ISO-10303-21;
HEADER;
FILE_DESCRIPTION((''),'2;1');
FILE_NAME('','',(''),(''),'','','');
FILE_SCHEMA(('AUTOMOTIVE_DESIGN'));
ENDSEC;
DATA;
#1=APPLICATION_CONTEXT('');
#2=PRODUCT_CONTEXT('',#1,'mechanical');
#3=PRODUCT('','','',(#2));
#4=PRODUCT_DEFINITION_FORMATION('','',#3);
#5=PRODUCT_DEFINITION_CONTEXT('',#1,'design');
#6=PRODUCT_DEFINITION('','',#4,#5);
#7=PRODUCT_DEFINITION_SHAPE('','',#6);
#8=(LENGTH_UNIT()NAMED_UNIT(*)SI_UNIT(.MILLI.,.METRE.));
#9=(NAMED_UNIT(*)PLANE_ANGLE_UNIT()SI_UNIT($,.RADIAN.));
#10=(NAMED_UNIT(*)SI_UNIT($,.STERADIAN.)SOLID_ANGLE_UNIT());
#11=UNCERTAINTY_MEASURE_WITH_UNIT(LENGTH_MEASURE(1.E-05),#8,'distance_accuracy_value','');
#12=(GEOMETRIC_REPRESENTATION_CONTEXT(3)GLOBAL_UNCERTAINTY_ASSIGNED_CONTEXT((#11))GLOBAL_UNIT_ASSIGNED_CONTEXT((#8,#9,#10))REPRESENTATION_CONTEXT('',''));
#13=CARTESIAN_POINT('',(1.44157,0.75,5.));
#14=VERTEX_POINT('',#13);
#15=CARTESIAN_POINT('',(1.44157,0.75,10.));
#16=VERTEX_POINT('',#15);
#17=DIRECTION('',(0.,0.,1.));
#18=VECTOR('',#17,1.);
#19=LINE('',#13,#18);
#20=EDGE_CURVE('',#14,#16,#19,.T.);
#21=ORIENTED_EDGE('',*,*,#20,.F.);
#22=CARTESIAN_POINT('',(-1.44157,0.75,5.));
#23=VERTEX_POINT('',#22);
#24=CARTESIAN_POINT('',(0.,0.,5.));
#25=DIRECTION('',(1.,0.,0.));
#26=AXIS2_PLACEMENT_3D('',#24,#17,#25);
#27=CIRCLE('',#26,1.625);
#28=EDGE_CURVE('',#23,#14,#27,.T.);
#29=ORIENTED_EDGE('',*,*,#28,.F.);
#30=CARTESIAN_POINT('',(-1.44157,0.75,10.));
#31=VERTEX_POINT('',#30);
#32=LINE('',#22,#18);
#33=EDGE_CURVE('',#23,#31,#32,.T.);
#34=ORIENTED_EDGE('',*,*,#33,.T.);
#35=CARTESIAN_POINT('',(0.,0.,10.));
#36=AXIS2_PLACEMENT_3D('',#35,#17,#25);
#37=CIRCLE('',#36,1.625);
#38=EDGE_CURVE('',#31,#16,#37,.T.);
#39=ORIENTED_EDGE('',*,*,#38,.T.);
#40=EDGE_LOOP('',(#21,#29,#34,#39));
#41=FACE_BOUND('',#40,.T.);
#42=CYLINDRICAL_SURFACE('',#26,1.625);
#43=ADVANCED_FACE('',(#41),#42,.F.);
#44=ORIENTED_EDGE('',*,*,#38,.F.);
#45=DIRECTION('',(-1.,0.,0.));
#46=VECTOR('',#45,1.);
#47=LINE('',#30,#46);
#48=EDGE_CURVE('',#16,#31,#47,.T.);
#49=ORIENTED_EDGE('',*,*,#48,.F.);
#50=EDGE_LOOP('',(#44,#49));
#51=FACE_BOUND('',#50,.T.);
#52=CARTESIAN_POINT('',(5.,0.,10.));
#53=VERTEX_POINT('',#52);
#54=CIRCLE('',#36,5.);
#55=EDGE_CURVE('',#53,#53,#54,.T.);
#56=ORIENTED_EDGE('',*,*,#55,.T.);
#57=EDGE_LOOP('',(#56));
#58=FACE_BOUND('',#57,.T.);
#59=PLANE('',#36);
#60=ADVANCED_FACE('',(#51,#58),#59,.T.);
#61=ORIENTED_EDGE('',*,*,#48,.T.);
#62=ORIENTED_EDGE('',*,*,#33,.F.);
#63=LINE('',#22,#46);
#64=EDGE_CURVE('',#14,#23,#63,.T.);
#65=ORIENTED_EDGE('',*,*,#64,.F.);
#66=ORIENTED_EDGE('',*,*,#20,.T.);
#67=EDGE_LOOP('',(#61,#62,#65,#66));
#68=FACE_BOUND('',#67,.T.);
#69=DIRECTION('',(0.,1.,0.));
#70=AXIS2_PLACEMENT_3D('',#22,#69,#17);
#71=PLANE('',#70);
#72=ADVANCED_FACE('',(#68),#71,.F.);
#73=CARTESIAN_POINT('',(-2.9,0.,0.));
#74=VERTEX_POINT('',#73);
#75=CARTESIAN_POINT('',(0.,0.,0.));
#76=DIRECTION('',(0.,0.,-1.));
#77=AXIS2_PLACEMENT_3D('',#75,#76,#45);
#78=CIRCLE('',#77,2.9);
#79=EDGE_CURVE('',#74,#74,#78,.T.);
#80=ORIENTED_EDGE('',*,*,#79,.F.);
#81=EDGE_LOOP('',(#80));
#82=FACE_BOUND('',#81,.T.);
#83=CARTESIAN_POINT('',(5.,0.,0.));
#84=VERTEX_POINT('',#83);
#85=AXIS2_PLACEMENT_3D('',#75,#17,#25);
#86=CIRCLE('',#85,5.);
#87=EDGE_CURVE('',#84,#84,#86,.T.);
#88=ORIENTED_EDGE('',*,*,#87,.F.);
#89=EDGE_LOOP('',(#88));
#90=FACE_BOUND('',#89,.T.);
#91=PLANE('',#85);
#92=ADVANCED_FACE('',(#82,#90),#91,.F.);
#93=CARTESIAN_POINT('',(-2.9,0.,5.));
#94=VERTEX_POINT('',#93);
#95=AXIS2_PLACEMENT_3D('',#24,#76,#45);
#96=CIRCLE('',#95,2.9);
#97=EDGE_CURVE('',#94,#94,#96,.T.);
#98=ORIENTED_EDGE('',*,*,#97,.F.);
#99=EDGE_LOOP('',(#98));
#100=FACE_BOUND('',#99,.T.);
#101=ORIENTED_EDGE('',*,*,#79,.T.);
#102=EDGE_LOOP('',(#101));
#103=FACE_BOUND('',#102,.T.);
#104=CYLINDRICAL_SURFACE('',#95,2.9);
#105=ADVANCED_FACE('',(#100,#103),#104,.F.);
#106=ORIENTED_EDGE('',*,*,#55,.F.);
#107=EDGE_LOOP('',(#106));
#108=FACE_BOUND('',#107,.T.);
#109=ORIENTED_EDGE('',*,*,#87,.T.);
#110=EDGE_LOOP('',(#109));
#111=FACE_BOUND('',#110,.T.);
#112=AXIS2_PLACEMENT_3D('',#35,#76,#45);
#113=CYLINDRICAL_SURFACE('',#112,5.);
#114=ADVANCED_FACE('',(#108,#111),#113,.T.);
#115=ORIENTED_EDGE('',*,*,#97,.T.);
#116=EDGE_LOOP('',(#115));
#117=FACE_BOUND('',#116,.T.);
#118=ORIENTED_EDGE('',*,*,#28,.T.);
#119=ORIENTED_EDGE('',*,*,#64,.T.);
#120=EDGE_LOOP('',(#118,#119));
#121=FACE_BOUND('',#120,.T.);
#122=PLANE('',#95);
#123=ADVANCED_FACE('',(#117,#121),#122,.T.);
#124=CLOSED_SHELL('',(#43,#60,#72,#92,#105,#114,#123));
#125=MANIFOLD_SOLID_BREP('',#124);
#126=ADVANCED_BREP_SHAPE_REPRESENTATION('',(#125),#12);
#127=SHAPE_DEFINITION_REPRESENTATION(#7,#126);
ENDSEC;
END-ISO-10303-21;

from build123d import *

# Parameters (mm, degrees)
SKETCH1_R           = 5
BOSS_EXTRUDE1_DEPTH = 10
CUT_EXTRUDE1_DEPTH  = 5
SKETCH3_R           = 2.9
CUT_EXTRUDE2_DEPTH  = 5


with BuildPart() as part:
    # Sketch1 → Boss-Extrude1 (new body)
    with BuildSketch(Plane.XY):
        Circle(SKETCH1_R)
    extrude(amount=BOSS_EXTRUDE1_DEPTH)

    # Sketch2 → Cut-Extrude1 (cut)
    with BuildSketch(Plane.XY.offset(10)):
        with BuildLine():
            Line((-1.441570324, 0.75), (1.441570324, 0.75))
            ThreePointArc((1.441570324, 0.75), (0, -1.625), (-1.441570324, 0.75))
        make_face()
    extrude(amount=-CUT_EXTRUDE1_DEPTH, mode=Mode.SUBTRACT)

    # Sketch3 → Cut-Extrude2 (cut)
    with BuildSketch(Plane(origin=(0, 0, 0), x_dir=(-1, 0, 0), z_dir=(0, 0, -1))):
        Circle(SKETCH3_R)
    extrude(amount=-CUT_EXTRUDE2_DEPTH, mode=Mode.SUBTRACT)


solid = part.part
